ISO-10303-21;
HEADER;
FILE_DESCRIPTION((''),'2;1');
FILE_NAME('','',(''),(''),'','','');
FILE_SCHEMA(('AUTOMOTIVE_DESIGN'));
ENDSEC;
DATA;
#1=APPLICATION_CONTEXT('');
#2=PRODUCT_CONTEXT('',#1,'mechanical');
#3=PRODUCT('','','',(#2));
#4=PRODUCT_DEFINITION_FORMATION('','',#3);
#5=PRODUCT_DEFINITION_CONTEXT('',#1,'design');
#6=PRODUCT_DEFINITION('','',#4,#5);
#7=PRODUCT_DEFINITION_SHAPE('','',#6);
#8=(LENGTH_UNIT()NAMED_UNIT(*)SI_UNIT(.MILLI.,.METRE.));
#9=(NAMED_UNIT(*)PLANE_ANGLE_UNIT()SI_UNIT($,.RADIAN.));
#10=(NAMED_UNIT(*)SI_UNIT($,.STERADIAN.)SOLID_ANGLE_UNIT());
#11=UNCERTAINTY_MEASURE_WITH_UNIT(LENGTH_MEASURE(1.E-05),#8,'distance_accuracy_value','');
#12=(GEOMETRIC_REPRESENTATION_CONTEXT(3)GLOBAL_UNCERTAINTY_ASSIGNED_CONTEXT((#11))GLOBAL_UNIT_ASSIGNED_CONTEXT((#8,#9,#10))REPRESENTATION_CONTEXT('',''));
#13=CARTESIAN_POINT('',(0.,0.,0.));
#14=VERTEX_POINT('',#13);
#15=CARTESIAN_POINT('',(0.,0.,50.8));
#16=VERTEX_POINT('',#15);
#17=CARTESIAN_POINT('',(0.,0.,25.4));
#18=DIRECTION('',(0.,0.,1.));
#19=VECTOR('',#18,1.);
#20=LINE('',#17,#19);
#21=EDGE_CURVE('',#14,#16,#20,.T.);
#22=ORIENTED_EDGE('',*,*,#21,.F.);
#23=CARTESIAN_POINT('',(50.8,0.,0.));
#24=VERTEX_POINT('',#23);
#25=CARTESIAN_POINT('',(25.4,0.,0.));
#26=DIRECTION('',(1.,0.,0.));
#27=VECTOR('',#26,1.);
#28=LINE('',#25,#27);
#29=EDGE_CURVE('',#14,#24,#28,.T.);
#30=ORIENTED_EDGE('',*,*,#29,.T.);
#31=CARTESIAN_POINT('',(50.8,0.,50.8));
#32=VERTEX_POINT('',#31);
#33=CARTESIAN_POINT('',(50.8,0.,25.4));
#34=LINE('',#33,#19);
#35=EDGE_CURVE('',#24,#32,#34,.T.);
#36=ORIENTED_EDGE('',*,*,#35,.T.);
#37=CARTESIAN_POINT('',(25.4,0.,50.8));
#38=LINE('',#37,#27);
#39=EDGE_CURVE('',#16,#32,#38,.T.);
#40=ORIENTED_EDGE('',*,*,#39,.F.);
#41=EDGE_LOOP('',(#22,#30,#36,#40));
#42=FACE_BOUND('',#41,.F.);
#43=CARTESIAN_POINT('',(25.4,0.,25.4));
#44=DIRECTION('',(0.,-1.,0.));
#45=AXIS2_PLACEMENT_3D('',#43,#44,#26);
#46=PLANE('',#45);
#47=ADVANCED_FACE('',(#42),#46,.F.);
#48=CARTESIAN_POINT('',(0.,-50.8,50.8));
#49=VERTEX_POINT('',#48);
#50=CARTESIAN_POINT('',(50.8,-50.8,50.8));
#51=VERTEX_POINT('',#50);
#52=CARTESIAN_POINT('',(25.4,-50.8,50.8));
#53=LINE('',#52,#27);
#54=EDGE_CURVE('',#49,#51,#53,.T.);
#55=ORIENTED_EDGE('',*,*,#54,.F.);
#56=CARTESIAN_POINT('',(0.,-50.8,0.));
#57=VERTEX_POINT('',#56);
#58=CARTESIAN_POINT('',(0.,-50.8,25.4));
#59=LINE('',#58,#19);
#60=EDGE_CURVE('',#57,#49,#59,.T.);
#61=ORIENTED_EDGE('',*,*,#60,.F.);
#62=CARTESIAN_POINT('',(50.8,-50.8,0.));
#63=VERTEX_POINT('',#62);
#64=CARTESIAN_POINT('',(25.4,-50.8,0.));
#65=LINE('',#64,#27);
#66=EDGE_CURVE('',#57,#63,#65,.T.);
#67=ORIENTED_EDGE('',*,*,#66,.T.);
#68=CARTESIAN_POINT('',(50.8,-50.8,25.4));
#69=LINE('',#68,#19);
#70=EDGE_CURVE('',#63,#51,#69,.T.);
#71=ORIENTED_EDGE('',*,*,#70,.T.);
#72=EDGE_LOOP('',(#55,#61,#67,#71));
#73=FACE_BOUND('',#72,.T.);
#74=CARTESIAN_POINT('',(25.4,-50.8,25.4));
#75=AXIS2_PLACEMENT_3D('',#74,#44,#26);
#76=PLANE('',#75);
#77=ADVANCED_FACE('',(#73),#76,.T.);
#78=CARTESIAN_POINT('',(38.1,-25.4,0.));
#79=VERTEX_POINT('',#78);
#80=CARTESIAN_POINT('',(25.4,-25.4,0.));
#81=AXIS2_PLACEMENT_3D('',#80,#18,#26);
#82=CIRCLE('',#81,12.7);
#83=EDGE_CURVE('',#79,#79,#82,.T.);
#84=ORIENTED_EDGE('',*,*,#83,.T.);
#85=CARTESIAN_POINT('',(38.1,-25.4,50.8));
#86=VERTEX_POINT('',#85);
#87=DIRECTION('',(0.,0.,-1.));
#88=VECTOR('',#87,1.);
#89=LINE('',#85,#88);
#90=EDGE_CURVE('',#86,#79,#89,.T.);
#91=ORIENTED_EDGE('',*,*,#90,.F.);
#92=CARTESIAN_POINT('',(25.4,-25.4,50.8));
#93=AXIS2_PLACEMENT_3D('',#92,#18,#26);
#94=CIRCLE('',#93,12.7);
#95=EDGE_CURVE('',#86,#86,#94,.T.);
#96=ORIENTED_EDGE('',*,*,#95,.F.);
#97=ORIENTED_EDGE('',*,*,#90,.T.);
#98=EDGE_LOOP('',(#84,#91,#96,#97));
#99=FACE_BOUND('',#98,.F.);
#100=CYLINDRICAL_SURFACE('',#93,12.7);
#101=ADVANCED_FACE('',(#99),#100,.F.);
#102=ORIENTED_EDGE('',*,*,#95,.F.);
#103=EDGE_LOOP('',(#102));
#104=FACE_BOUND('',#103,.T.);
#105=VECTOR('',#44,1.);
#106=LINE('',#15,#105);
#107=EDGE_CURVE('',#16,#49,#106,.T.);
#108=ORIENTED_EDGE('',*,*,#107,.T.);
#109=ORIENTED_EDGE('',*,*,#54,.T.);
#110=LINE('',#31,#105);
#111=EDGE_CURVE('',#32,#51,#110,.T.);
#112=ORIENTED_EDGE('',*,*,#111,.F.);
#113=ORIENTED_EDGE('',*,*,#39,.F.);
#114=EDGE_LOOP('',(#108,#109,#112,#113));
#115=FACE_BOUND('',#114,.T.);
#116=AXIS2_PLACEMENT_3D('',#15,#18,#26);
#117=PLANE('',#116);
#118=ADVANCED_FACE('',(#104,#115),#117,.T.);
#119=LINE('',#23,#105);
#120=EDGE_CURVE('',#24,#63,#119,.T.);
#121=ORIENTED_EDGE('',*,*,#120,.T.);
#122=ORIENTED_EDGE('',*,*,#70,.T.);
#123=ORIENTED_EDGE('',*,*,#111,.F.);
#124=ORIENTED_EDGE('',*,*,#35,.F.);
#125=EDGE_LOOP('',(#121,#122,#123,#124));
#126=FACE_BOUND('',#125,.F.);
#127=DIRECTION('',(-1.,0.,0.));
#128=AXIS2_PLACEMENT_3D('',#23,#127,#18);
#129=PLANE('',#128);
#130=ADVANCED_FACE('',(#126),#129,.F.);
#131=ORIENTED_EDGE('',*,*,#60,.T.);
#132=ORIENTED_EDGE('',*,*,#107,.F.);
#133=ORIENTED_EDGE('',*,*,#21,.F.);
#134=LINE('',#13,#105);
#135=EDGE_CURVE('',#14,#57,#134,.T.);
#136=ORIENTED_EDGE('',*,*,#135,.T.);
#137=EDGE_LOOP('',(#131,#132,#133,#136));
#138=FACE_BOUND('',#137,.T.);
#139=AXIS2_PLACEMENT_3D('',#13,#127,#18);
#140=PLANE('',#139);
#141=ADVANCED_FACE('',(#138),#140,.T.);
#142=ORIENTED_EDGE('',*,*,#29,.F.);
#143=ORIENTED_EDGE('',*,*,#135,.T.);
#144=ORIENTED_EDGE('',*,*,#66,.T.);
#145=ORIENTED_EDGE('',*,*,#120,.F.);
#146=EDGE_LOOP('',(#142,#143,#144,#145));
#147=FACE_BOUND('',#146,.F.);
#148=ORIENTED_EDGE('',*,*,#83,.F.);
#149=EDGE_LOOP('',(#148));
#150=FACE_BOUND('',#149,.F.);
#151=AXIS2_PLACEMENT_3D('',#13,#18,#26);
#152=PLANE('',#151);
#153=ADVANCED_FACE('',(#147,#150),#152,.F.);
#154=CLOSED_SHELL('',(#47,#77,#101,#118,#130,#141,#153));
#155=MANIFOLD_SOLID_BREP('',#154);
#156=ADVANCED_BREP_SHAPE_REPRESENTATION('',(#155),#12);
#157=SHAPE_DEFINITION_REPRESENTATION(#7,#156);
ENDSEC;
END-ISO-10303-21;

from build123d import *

# Parameters (mm, degrees)
F0_W     = 50.8
F0_H     = 50.8
F1_DEPTH = 50.8
F3_DEPTH = 25.4
F5_R     = 12.7
F6_DEPTH = 50.8


with BuildPart() as f1:
    # F0 (on Front) → F1 (new body)
    with BuildSketch(Plane.XZ):
        with Locations((25.4, 25.4)):
            Rectangle(F0_W, F0_H)
    extrude(amount=F1_DEPTH)

    # F2 (on face) → F3 (join)
    with BuildSketch(Plane.XY.offset(50.8)):
        Polygon((35.781679, -47.291025), (23.081679, -25.293979), (10.381679, -47.291025), align=None)
    extrude(amount=-F3_DEPTH)

    # F5 (on face) → F6 (cut)
    with BuildSketch(Plane.XY.offset(50.8)):
        with Locations((25.4, -25.4)):
            Circle(F5_R)
    extrude(amount=-F6_DEPTH, mode=Mode.SUBTRACT)


solid = f1.part
